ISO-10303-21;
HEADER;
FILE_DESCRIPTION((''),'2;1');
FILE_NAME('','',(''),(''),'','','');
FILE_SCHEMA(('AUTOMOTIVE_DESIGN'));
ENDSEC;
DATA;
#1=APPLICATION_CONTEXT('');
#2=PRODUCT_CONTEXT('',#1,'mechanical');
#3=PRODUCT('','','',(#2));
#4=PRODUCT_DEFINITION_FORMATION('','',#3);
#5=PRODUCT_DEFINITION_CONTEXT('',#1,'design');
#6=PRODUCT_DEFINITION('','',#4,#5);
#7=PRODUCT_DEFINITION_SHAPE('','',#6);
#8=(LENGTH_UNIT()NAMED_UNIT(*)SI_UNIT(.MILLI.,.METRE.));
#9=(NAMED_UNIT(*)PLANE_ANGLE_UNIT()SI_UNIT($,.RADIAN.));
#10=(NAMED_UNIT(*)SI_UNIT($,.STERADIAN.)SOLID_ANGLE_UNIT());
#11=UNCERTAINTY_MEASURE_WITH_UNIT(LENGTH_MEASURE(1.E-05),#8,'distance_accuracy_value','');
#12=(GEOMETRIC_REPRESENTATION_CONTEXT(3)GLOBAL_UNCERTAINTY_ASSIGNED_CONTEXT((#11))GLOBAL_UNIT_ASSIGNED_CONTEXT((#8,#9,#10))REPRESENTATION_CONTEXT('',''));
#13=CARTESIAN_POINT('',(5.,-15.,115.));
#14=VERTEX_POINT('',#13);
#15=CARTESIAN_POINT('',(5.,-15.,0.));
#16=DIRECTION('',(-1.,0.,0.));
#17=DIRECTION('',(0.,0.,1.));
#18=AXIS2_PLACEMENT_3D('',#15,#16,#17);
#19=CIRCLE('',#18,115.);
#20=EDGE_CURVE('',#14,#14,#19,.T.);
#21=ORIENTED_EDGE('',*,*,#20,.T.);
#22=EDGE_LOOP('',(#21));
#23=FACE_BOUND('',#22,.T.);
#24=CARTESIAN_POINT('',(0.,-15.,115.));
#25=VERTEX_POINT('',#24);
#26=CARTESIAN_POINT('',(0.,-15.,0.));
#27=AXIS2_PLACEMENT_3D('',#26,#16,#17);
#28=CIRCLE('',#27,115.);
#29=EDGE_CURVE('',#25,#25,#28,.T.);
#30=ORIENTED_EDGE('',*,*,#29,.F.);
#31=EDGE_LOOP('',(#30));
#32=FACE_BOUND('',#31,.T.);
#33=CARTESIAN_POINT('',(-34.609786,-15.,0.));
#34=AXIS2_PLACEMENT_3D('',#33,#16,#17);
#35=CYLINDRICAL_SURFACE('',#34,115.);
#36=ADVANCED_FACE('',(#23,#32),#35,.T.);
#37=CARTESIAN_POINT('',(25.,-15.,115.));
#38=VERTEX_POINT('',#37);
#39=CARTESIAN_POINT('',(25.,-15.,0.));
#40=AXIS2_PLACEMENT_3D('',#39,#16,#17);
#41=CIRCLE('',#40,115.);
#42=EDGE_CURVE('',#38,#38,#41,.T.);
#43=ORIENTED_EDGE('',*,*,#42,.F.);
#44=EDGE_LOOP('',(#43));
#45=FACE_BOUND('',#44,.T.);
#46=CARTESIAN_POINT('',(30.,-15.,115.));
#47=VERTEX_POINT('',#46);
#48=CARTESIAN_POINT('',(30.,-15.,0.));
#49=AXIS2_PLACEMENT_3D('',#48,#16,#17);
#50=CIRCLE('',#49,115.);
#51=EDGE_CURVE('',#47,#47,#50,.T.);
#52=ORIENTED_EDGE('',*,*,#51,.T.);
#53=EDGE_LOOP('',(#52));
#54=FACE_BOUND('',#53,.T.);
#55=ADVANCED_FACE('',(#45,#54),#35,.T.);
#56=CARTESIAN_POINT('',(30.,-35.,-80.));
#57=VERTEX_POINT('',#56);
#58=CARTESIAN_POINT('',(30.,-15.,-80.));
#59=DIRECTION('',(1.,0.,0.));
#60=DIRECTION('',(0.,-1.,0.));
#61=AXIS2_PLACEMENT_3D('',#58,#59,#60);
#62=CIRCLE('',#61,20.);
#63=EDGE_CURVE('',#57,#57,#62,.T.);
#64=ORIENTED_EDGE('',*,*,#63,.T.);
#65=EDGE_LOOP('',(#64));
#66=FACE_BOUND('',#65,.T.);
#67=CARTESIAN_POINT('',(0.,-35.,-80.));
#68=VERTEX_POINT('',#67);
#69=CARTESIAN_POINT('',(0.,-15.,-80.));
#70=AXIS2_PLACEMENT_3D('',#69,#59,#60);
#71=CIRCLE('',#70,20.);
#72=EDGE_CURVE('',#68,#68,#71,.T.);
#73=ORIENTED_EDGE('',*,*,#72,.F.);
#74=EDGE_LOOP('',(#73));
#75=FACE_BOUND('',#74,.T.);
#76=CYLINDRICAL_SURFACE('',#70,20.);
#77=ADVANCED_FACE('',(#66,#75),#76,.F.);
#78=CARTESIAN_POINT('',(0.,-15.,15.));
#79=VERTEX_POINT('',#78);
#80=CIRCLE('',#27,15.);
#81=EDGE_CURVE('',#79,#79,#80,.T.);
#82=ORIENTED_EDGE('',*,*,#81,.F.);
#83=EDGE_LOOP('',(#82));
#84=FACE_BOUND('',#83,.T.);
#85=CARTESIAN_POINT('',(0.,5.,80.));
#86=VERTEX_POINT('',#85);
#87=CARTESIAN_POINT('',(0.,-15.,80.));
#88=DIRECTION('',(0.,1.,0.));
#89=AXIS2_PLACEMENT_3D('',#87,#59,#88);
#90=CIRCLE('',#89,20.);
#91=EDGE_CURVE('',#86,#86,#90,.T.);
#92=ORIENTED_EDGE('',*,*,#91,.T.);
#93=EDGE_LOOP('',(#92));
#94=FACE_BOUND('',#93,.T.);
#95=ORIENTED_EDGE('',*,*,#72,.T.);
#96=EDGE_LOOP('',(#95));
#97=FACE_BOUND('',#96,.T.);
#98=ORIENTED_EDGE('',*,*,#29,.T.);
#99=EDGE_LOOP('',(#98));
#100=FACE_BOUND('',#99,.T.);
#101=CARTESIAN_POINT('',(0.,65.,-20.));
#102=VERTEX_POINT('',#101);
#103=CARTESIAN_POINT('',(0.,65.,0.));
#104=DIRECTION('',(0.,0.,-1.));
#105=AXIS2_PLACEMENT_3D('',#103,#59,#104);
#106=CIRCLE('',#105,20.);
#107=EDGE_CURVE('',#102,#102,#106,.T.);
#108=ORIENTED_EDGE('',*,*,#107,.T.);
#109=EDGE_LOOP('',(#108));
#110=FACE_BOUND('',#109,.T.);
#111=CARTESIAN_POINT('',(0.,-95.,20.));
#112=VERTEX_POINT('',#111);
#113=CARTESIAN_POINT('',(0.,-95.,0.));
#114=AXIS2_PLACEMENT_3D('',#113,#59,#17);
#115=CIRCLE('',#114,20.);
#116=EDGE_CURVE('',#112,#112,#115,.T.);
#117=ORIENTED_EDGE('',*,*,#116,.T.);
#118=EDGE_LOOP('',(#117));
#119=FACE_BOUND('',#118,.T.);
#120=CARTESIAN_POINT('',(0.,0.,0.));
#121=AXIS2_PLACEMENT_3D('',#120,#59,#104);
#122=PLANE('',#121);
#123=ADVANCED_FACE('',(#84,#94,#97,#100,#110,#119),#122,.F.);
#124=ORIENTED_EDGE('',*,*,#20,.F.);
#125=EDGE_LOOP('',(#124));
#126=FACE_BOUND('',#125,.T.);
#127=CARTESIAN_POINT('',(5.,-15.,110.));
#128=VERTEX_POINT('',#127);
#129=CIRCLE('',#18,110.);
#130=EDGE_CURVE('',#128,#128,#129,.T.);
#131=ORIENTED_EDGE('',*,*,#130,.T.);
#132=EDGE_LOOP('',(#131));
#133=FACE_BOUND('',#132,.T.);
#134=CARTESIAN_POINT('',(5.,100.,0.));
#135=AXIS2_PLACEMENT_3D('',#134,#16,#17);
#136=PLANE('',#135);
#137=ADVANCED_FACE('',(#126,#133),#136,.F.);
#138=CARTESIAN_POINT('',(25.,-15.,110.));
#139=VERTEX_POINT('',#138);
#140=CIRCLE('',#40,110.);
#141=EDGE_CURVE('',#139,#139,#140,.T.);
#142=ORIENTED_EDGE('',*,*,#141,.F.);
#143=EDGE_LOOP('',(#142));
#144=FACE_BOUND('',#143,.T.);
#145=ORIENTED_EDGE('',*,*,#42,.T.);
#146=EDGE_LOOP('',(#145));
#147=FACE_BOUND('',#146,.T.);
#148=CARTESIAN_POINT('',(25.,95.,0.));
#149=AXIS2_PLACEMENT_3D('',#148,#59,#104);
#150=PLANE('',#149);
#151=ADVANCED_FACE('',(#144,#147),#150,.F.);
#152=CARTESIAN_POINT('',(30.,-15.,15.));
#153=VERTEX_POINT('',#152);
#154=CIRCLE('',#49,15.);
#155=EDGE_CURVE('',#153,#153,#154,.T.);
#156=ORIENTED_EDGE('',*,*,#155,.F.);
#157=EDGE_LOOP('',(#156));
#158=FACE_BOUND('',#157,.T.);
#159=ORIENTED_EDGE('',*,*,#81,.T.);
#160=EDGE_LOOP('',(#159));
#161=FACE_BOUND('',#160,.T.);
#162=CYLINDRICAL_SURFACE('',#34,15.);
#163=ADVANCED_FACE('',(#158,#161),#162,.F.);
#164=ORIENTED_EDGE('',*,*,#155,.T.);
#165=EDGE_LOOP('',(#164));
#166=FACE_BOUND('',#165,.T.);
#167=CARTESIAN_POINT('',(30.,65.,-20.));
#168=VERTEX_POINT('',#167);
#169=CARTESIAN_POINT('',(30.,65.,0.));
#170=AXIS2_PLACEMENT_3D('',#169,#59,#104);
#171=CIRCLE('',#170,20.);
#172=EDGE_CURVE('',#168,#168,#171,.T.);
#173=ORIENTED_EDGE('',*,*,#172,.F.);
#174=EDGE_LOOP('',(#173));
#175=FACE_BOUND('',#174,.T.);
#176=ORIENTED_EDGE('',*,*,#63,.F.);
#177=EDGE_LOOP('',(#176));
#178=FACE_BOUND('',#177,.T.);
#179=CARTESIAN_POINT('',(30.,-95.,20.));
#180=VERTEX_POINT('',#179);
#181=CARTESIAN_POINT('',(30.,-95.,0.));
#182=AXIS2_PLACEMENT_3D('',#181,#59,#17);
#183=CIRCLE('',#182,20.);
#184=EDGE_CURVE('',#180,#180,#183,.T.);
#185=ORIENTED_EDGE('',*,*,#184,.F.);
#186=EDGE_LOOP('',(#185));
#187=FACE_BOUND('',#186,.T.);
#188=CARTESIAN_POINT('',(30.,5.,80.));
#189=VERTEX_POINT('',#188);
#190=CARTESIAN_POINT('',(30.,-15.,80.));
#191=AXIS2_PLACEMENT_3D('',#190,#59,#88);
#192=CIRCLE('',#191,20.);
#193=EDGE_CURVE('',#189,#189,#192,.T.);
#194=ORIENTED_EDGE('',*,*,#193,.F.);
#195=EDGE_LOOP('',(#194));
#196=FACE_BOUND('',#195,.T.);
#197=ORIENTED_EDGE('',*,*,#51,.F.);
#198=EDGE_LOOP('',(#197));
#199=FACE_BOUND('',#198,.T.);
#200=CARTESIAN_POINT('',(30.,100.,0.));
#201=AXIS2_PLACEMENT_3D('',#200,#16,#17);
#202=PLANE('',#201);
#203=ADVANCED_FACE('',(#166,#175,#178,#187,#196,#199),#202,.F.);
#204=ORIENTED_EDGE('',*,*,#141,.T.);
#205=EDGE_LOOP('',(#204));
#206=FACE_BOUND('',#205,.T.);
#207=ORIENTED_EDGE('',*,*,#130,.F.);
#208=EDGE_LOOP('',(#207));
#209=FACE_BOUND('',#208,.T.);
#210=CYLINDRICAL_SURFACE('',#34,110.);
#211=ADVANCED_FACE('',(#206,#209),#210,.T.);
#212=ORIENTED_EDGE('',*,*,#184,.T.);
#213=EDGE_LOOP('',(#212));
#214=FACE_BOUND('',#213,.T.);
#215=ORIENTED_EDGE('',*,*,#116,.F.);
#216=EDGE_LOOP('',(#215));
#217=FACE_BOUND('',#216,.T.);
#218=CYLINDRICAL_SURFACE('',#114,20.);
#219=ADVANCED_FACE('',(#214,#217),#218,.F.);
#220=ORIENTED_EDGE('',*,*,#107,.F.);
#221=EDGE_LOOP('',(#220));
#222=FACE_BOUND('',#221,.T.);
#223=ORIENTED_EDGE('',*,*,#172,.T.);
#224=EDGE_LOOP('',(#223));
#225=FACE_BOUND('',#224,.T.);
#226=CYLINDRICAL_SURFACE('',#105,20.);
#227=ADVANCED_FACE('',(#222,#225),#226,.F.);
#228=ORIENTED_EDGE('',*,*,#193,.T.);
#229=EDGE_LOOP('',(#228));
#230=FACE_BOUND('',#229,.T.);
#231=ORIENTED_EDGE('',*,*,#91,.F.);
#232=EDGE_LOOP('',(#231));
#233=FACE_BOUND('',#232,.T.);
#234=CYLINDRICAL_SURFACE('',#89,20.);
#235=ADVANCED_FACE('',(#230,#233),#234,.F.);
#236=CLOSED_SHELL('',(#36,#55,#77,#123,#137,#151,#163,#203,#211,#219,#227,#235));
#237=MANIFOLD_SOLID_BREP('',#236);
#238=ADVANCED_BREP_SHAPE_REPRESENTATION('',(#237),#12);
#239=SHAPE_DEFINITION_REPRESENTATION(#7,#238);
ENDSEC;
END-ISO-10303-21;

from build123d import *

# Parameters (mm, degrees)
SKETCH2_R          = 20
CUT_EXTRUDE1_DEPTH = 177.139149538
CIRPATTERN1_COUNT  = 4


with BuildPart() as part:
    # Sketch1 → Revolve1 (revolve)
    with BuildSketch(Plane.XY, mode=Mode.PRIVATE) as revolve1_sk:
        Polygon((0, 0), (0, 100), (5, 100), (5, 95), (25, 95), (25, 100), (30, 100), (30, 0), align=None)
    revolve(revolve1_sk.sketch.rotate(Axis((-34.60978596, -15, 0), (1, 0, 0)), 90), axis=Axis((-34.60978596, -15, 0), (1, 0, 0)))

    # Sketch2 → Cut-Extrude1 (cut, through all)
    with BuildSketch(Plane(origin=(30, 0, 0), x_dir=(0, 0, -1), z_dir=(1, 0, 0))):
        with Locations((0, 65)):
            Circle(SKETCH2_R)
    cut_extrude1 = extrude(amount=-CUT_EXTRUDE1_DEPTH, mode=Mode.SUBTRACT)

    # CirPattern1: Cut-Extrude1 ×4 about axis
    cirpattern1_axis = Axis((0, -15, 0), (1, 0, 0))
    for i in range(1, CIRPATTERN1_COUNT):
        add(cut_extrude1.rotate(cirpattern1_axis, i * 360 / CIRPATTERN1_COUNT), mode=Mode.SUBTRACT)


solid = part.part
